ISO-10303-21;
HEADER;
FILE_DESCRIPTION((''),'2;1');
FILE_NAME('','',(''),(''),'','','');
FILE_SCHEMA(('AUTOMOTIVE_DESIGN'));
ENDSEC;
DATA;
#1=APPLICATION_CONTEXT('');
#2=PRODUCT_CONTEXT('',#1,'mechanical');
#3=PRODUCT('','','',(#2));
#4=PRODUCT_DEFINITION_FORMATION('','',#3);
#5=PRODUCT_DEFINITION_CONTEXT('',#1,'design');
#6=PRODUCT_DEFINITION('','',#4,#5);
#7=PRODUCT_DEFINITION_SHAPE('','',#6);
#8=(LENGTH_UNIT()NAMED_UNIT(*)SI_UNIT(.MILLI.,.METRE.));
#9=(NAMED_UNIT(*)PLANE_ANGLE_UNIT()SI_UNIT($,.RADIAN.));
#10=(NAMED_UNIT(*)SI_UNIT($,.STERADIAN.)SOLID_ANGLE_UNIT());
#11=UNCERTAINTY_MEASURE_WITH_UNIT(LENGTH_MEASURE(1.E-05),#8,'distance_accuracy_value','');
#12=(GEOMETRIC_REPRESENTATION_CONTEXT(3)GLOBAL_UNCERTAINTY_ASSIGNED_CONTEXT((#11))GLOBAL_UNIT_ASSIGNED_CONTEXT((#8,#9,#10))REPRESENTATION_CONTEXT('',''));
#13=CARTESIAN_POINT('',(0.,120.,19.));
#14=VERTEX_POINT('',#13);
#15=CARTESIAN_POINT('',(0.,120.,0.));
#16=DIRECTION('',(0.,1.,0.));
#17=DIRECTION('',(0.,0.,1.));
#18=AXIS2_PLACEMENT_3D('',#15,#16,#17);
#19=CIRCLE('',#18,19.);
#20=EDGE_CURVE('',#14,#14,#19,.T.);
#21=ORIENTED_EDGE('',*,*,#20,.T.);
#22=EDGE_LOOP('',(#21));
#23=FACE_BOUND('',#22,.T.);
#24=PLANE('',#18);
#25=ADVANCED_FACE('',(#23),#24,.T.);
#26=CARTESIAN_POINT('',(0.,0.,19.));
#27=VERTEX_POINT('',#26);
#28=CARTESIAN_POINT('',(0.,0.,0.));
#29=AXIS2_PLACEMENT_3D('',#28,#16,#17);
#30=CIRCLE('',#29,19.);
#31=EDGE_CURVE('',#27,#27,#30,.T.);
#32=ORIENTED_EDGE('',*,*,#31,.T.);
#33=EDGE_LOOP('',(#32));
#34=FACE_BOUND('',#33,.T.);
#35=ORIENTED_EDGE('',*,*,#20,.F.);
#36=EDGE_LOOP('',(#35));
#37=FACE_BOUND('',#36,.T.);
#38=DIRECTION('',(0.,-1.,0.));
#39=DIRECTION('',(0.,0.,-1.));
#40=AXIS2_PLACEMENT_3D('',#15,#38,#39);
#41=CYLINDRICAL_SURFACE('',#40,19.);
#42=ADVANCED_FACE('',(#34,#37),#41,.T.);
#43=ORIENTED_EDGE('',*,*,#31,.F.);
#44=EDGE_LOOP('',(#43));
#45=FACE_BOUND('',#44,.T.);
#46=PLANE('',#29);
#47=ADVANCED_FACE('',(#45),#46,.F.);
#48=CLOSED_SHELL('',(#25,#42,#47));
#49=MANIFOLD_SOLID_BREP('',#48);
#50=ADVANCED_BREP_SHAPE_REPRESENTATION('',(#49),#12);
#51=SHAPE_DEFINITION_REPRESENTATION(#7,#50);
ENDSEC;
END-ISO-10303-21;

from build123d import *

# Parameters (mm, degrees)
SKETCH1_R           = 19
BOSS_EXTRUDE1_DEPTH = 120


with BuildPart() as part:
    # Sketch1 → Boss-Extrude1 (new body)
    with BuildSketch(Plane(origin=(0, 0, 0), x_dir=(1, 0, 0), z_dir=(0, 1, 0))):
        Circle(SKETCH1_R)
    extrude(amount=BOSS_EXTRUDE1_DEPTH)


solid = part.part
